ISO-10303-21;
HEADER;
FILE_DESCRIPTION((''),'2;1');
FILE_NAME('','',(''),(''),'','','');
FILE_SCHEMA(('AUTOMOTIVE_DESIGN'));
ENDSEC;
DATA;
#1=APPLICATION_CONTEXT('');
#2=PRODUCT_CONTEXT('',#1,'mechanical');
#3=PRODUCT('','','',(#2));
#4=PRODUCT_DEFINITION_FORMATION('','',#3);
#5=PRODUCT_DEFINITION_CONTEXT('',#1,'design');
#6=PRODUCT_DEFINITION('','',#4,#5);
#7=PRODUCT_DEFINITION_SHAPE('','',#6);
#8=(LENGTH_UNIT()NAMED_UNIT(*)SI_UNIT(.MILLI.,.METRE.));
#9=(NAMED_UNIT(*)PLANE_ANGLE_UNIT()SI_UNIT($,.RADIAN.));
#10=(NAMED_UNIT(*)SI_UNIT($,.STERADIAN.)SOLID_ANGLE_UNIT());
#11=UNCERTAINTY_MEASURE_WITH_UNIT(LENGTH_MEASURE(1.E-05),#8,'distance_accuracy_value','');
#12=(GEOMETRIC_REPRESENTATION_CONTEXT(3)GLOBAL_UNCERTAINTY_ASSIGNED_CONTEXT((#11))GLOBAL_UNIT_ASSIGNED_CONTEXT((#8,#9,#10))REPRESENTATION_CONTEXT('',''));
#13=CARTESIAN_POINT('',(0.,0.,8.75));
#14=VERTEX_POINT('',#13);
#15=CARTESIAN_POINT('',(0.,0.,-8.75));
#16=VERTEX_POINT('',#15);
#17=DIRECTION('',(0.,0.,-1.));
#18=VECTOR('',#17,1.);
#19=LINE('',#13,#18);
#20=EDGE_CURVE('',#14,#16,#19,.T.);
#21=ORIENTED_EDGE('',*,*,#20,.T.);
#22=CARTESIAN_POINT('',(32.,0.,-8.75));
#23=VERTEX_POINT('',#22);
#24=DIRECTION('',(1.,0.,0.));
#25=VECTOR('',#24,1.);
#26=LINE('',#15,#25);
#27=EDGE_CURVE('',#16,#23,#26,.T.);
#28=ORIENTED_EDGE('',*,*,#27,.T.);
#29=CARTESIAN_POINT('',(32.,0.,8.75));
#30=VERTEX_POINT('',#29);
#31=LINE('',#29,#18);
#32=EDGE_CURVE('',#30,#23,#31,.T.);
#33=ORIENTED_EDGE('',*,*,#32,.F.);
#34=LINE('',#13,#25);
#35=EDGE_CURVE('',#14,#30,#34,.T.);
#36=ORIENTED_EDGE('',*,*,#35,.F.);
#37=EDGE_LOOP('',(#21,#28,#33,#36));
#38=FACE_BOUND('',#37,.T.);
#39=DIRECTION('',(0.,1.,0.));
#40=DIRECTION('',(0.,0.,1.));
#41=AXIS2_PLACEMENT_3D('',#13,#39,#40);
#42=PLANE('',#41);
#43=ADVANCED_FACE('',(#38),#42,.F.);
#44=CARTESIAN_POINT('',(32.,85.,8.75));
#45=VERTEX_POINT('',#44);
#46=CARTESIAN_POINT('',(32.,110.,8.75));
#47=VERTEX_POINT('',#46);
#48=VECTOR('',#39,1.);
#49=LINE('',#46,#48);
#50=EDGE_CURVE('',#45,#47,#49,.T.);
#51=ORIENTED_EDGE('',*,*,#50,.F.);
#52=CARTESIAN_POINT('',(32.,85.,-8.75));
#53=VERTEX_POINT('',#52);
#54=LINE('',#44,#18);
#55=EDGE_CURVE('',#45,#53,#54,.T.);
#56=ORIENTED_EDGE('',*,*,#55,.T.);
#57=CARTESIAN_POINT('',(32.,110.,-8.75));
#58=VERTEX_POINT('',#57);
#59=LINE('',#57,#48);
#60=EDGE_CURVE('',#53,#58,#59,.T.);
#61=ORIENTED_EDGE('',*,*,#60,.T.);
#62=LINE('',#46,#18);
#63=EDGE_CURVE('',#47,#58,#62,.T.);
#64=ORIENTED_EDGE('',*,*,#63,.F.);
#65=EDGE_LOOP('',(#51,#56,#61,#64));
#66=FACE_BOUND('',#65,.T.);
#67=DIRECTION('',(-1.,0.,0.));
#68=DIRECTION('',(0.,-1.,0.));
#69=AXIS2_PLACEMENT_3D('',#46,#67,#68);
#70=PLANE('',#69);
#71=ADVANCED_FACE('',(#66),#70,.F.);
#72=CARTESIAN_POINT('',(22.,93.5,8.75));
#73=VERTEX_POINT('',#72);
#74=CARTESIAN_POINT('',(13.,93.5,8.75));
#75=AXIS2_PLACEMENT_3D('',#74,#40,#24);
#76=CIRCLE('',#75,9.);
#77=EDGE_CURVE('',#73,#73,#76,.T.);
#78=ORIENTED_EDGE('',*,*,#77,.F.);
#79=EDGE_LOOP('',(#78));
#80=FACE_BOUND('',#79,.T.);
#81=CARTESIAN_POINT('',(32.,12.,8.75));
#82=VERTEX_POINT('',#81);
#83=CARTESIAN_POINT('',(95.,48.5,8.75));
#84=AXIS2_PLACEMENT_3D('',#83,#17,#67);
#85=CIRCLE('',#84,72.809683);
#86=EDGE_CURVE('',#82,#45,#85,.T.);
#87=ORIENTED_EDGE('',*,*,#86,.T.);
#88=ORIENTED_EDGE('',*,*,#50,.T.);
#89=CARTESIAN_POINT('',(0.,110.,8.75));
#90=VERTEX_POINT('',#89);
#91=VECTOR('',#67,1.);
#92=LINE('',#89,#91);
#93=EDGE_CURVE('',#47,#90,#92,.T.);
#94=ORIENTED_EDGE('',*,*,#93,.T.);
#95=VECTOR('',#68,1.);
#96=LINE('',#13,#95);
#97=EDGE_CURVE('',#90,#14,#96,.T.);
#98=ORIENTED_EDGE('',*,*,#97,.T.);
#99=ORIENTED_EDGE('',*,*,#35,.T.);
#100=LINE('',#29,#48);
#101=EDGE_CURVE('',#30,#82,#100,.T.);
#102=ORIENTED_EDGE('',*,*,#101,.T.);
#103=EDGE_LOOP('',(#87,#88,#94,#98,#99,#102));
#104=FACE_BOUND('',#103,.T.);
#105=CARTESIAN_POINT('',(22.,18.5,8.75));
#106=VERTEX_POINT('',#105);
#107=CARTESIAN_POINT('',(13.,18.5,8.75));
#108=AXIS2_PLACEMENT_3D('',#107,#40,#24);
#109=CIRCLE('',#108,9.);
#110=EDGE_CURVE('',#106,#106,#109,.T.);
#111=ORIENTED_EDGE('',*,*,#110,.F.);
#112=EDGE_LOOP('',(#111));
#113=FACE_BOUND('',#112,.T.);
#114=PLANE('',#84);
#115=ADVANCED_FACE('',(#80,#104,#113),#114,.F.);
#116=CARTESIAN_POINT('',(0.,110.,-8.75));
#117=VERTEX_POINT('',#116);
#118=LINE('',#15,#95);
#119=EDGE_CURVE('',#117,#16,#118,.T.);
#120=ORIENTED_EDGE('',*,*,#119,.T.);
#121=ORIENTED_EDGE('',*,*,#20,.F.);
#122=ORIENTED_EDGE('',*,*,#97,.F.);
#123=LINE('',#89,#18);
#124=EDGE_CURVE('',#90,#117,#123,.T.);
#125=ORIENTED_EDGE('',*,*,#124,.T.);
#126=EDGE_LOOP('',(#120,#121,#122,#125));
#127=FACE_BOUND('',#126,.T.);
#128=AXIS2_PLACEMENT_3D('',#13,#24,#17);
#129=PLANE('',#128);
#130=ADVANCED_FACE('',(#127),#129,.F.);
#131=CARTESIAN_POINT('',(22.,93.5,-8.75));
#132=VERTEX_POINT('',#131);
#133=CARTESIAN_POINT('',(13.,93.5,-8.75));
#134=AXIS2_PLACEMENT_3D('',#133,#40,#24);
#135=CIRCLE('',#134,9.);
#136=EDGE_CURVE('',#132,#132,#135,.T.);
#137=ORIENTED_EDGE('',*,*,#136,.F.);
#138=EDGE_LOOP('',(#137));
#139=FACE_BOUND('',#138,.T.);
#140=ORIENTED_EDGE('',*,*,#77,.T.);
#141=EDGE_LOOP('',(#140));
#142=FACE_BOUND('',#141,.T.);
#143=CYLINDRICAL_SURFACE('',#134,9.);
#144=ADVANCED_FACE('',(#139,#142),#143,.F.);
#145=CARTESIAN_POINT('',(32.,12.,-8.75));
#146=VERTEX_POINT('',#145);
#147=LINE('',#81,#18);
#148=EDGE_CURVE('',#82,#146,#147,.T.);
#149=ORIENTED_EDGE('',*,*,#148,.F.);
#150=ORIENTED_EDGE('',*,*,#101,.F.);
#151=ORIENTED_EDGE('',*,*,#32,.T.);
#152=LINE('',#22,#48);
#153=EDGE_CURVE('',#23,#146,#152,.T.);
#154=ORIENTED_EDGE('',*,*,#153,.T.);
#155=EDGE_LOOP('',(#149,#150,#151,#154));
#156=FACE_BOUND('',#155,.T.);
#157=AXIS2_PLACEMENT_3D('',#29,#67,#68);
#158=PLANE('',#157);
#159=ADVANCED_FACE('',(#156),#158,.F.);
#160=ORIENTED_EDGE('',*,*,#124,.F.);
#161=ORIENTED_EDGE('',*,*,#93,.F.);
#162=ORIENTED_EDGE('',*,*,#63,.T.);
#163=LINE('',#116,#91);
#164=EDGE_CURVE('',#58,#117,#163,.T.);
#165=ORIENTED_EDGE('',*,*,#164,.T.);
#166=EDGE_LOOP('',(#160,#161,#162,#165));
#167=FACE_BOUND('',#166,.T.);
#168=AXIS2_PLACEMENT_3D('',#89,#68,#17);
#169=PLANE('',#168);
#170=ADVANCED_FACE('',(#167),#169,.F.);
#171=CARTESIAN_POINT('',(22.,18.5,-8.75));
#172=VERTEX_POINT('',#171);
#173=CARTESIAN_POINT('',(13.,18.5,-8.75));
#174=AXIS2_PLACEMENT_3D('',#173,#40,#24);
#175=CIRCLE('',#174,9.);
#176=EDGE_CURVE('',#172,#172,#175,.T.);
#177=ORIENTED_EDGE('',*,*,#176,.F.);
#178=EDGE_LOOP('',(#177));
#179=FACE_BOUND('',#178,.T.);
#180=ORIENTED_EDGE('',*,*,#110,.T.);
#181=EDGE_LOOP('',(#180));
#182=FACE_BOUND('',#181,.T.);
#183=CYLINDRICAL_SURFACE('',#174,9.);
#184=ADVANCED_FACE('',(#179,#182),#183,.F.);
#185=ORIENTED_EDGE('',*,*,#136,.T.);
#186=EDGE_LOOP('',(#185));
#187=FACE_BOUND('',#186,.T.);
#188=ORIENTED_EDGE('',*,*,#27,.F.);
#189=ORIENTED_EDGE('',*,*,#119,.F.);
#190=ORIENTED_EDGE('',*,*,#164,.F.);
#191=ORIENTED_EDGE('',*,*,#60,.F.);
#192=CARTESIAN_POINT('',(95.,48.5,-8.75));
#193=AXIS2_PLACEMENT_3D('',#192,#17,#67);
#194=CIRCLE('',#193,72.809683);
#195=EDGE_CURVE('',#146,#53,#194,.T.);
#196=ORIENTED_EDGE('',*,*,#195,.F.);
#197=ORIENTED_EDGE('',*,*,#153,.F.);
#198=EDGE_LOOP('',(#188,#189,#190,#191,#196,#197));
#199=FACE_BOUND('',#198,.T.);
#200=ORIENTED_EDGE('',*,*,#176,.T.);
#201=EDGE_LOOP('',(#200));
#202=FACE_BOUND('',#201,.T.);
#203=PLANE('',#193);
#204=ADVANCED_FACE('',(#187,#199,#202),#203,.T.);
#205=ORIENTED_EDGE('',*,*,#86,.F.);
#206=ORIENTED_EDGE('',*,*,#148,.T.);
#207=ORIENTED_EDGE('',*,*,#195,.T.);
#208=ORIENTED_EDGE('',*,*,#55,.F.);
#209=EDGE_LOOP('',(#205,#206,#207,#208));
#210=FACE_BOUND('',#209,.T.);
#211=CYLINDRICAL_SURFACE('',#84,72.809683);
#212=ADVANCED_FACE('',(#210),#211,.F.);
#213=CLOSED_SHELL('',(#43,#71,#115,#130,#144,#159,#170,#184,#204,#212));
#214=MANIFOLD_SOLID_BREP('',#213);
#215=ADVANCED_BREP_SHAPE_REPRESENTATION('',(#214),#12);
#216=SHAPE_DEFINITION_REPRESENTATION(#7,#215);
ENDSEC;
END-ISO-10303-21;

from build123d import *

# Parameters (mm, degrees)
Y_KSEKLIK_EKSTR_ZYON1_DEPTH = 8.75
IZIM2_R                     = 9
KES_EKSTR_ZYON1_DEPTH       = 18.5


with BuildPart() as part:
    # Çizim1 → Yükseklik-Ekstrüzyon1 (new body, symmetric)
    with BuildSketch(Plane.XY):
        with BuildLine():
            Line((0, 0), (0, 110))
            Line((0, 110), (32, 110))
            Line((32, 110), (32, 85))
            ThreePointArc((32, 85), (22.190316578, 48.5), (32, 12))
            Line((32, 12), (32, 0))
            Line((32, 0), (0, 0))
        make_face()
    extrude(amount=Y_KSEKLIK_EKSTR_ZYON1_DEPTH, both=True)

    # Çizim2 → Kes-Ekstrüzyon1 (cut, through all)
    with BuildSketch(Plane.XY.offset(8.75)):
        with Locations((13, 93.5)):
            Circle(IZIM2_R)
        with Locations((13, 18.5)):
            Circle(IZIM2_R)
    extrude(amount=-KES_EKSTR_ZYON1_DEPTH, mode=Mode.SUBTRACT)


solid = part.part
